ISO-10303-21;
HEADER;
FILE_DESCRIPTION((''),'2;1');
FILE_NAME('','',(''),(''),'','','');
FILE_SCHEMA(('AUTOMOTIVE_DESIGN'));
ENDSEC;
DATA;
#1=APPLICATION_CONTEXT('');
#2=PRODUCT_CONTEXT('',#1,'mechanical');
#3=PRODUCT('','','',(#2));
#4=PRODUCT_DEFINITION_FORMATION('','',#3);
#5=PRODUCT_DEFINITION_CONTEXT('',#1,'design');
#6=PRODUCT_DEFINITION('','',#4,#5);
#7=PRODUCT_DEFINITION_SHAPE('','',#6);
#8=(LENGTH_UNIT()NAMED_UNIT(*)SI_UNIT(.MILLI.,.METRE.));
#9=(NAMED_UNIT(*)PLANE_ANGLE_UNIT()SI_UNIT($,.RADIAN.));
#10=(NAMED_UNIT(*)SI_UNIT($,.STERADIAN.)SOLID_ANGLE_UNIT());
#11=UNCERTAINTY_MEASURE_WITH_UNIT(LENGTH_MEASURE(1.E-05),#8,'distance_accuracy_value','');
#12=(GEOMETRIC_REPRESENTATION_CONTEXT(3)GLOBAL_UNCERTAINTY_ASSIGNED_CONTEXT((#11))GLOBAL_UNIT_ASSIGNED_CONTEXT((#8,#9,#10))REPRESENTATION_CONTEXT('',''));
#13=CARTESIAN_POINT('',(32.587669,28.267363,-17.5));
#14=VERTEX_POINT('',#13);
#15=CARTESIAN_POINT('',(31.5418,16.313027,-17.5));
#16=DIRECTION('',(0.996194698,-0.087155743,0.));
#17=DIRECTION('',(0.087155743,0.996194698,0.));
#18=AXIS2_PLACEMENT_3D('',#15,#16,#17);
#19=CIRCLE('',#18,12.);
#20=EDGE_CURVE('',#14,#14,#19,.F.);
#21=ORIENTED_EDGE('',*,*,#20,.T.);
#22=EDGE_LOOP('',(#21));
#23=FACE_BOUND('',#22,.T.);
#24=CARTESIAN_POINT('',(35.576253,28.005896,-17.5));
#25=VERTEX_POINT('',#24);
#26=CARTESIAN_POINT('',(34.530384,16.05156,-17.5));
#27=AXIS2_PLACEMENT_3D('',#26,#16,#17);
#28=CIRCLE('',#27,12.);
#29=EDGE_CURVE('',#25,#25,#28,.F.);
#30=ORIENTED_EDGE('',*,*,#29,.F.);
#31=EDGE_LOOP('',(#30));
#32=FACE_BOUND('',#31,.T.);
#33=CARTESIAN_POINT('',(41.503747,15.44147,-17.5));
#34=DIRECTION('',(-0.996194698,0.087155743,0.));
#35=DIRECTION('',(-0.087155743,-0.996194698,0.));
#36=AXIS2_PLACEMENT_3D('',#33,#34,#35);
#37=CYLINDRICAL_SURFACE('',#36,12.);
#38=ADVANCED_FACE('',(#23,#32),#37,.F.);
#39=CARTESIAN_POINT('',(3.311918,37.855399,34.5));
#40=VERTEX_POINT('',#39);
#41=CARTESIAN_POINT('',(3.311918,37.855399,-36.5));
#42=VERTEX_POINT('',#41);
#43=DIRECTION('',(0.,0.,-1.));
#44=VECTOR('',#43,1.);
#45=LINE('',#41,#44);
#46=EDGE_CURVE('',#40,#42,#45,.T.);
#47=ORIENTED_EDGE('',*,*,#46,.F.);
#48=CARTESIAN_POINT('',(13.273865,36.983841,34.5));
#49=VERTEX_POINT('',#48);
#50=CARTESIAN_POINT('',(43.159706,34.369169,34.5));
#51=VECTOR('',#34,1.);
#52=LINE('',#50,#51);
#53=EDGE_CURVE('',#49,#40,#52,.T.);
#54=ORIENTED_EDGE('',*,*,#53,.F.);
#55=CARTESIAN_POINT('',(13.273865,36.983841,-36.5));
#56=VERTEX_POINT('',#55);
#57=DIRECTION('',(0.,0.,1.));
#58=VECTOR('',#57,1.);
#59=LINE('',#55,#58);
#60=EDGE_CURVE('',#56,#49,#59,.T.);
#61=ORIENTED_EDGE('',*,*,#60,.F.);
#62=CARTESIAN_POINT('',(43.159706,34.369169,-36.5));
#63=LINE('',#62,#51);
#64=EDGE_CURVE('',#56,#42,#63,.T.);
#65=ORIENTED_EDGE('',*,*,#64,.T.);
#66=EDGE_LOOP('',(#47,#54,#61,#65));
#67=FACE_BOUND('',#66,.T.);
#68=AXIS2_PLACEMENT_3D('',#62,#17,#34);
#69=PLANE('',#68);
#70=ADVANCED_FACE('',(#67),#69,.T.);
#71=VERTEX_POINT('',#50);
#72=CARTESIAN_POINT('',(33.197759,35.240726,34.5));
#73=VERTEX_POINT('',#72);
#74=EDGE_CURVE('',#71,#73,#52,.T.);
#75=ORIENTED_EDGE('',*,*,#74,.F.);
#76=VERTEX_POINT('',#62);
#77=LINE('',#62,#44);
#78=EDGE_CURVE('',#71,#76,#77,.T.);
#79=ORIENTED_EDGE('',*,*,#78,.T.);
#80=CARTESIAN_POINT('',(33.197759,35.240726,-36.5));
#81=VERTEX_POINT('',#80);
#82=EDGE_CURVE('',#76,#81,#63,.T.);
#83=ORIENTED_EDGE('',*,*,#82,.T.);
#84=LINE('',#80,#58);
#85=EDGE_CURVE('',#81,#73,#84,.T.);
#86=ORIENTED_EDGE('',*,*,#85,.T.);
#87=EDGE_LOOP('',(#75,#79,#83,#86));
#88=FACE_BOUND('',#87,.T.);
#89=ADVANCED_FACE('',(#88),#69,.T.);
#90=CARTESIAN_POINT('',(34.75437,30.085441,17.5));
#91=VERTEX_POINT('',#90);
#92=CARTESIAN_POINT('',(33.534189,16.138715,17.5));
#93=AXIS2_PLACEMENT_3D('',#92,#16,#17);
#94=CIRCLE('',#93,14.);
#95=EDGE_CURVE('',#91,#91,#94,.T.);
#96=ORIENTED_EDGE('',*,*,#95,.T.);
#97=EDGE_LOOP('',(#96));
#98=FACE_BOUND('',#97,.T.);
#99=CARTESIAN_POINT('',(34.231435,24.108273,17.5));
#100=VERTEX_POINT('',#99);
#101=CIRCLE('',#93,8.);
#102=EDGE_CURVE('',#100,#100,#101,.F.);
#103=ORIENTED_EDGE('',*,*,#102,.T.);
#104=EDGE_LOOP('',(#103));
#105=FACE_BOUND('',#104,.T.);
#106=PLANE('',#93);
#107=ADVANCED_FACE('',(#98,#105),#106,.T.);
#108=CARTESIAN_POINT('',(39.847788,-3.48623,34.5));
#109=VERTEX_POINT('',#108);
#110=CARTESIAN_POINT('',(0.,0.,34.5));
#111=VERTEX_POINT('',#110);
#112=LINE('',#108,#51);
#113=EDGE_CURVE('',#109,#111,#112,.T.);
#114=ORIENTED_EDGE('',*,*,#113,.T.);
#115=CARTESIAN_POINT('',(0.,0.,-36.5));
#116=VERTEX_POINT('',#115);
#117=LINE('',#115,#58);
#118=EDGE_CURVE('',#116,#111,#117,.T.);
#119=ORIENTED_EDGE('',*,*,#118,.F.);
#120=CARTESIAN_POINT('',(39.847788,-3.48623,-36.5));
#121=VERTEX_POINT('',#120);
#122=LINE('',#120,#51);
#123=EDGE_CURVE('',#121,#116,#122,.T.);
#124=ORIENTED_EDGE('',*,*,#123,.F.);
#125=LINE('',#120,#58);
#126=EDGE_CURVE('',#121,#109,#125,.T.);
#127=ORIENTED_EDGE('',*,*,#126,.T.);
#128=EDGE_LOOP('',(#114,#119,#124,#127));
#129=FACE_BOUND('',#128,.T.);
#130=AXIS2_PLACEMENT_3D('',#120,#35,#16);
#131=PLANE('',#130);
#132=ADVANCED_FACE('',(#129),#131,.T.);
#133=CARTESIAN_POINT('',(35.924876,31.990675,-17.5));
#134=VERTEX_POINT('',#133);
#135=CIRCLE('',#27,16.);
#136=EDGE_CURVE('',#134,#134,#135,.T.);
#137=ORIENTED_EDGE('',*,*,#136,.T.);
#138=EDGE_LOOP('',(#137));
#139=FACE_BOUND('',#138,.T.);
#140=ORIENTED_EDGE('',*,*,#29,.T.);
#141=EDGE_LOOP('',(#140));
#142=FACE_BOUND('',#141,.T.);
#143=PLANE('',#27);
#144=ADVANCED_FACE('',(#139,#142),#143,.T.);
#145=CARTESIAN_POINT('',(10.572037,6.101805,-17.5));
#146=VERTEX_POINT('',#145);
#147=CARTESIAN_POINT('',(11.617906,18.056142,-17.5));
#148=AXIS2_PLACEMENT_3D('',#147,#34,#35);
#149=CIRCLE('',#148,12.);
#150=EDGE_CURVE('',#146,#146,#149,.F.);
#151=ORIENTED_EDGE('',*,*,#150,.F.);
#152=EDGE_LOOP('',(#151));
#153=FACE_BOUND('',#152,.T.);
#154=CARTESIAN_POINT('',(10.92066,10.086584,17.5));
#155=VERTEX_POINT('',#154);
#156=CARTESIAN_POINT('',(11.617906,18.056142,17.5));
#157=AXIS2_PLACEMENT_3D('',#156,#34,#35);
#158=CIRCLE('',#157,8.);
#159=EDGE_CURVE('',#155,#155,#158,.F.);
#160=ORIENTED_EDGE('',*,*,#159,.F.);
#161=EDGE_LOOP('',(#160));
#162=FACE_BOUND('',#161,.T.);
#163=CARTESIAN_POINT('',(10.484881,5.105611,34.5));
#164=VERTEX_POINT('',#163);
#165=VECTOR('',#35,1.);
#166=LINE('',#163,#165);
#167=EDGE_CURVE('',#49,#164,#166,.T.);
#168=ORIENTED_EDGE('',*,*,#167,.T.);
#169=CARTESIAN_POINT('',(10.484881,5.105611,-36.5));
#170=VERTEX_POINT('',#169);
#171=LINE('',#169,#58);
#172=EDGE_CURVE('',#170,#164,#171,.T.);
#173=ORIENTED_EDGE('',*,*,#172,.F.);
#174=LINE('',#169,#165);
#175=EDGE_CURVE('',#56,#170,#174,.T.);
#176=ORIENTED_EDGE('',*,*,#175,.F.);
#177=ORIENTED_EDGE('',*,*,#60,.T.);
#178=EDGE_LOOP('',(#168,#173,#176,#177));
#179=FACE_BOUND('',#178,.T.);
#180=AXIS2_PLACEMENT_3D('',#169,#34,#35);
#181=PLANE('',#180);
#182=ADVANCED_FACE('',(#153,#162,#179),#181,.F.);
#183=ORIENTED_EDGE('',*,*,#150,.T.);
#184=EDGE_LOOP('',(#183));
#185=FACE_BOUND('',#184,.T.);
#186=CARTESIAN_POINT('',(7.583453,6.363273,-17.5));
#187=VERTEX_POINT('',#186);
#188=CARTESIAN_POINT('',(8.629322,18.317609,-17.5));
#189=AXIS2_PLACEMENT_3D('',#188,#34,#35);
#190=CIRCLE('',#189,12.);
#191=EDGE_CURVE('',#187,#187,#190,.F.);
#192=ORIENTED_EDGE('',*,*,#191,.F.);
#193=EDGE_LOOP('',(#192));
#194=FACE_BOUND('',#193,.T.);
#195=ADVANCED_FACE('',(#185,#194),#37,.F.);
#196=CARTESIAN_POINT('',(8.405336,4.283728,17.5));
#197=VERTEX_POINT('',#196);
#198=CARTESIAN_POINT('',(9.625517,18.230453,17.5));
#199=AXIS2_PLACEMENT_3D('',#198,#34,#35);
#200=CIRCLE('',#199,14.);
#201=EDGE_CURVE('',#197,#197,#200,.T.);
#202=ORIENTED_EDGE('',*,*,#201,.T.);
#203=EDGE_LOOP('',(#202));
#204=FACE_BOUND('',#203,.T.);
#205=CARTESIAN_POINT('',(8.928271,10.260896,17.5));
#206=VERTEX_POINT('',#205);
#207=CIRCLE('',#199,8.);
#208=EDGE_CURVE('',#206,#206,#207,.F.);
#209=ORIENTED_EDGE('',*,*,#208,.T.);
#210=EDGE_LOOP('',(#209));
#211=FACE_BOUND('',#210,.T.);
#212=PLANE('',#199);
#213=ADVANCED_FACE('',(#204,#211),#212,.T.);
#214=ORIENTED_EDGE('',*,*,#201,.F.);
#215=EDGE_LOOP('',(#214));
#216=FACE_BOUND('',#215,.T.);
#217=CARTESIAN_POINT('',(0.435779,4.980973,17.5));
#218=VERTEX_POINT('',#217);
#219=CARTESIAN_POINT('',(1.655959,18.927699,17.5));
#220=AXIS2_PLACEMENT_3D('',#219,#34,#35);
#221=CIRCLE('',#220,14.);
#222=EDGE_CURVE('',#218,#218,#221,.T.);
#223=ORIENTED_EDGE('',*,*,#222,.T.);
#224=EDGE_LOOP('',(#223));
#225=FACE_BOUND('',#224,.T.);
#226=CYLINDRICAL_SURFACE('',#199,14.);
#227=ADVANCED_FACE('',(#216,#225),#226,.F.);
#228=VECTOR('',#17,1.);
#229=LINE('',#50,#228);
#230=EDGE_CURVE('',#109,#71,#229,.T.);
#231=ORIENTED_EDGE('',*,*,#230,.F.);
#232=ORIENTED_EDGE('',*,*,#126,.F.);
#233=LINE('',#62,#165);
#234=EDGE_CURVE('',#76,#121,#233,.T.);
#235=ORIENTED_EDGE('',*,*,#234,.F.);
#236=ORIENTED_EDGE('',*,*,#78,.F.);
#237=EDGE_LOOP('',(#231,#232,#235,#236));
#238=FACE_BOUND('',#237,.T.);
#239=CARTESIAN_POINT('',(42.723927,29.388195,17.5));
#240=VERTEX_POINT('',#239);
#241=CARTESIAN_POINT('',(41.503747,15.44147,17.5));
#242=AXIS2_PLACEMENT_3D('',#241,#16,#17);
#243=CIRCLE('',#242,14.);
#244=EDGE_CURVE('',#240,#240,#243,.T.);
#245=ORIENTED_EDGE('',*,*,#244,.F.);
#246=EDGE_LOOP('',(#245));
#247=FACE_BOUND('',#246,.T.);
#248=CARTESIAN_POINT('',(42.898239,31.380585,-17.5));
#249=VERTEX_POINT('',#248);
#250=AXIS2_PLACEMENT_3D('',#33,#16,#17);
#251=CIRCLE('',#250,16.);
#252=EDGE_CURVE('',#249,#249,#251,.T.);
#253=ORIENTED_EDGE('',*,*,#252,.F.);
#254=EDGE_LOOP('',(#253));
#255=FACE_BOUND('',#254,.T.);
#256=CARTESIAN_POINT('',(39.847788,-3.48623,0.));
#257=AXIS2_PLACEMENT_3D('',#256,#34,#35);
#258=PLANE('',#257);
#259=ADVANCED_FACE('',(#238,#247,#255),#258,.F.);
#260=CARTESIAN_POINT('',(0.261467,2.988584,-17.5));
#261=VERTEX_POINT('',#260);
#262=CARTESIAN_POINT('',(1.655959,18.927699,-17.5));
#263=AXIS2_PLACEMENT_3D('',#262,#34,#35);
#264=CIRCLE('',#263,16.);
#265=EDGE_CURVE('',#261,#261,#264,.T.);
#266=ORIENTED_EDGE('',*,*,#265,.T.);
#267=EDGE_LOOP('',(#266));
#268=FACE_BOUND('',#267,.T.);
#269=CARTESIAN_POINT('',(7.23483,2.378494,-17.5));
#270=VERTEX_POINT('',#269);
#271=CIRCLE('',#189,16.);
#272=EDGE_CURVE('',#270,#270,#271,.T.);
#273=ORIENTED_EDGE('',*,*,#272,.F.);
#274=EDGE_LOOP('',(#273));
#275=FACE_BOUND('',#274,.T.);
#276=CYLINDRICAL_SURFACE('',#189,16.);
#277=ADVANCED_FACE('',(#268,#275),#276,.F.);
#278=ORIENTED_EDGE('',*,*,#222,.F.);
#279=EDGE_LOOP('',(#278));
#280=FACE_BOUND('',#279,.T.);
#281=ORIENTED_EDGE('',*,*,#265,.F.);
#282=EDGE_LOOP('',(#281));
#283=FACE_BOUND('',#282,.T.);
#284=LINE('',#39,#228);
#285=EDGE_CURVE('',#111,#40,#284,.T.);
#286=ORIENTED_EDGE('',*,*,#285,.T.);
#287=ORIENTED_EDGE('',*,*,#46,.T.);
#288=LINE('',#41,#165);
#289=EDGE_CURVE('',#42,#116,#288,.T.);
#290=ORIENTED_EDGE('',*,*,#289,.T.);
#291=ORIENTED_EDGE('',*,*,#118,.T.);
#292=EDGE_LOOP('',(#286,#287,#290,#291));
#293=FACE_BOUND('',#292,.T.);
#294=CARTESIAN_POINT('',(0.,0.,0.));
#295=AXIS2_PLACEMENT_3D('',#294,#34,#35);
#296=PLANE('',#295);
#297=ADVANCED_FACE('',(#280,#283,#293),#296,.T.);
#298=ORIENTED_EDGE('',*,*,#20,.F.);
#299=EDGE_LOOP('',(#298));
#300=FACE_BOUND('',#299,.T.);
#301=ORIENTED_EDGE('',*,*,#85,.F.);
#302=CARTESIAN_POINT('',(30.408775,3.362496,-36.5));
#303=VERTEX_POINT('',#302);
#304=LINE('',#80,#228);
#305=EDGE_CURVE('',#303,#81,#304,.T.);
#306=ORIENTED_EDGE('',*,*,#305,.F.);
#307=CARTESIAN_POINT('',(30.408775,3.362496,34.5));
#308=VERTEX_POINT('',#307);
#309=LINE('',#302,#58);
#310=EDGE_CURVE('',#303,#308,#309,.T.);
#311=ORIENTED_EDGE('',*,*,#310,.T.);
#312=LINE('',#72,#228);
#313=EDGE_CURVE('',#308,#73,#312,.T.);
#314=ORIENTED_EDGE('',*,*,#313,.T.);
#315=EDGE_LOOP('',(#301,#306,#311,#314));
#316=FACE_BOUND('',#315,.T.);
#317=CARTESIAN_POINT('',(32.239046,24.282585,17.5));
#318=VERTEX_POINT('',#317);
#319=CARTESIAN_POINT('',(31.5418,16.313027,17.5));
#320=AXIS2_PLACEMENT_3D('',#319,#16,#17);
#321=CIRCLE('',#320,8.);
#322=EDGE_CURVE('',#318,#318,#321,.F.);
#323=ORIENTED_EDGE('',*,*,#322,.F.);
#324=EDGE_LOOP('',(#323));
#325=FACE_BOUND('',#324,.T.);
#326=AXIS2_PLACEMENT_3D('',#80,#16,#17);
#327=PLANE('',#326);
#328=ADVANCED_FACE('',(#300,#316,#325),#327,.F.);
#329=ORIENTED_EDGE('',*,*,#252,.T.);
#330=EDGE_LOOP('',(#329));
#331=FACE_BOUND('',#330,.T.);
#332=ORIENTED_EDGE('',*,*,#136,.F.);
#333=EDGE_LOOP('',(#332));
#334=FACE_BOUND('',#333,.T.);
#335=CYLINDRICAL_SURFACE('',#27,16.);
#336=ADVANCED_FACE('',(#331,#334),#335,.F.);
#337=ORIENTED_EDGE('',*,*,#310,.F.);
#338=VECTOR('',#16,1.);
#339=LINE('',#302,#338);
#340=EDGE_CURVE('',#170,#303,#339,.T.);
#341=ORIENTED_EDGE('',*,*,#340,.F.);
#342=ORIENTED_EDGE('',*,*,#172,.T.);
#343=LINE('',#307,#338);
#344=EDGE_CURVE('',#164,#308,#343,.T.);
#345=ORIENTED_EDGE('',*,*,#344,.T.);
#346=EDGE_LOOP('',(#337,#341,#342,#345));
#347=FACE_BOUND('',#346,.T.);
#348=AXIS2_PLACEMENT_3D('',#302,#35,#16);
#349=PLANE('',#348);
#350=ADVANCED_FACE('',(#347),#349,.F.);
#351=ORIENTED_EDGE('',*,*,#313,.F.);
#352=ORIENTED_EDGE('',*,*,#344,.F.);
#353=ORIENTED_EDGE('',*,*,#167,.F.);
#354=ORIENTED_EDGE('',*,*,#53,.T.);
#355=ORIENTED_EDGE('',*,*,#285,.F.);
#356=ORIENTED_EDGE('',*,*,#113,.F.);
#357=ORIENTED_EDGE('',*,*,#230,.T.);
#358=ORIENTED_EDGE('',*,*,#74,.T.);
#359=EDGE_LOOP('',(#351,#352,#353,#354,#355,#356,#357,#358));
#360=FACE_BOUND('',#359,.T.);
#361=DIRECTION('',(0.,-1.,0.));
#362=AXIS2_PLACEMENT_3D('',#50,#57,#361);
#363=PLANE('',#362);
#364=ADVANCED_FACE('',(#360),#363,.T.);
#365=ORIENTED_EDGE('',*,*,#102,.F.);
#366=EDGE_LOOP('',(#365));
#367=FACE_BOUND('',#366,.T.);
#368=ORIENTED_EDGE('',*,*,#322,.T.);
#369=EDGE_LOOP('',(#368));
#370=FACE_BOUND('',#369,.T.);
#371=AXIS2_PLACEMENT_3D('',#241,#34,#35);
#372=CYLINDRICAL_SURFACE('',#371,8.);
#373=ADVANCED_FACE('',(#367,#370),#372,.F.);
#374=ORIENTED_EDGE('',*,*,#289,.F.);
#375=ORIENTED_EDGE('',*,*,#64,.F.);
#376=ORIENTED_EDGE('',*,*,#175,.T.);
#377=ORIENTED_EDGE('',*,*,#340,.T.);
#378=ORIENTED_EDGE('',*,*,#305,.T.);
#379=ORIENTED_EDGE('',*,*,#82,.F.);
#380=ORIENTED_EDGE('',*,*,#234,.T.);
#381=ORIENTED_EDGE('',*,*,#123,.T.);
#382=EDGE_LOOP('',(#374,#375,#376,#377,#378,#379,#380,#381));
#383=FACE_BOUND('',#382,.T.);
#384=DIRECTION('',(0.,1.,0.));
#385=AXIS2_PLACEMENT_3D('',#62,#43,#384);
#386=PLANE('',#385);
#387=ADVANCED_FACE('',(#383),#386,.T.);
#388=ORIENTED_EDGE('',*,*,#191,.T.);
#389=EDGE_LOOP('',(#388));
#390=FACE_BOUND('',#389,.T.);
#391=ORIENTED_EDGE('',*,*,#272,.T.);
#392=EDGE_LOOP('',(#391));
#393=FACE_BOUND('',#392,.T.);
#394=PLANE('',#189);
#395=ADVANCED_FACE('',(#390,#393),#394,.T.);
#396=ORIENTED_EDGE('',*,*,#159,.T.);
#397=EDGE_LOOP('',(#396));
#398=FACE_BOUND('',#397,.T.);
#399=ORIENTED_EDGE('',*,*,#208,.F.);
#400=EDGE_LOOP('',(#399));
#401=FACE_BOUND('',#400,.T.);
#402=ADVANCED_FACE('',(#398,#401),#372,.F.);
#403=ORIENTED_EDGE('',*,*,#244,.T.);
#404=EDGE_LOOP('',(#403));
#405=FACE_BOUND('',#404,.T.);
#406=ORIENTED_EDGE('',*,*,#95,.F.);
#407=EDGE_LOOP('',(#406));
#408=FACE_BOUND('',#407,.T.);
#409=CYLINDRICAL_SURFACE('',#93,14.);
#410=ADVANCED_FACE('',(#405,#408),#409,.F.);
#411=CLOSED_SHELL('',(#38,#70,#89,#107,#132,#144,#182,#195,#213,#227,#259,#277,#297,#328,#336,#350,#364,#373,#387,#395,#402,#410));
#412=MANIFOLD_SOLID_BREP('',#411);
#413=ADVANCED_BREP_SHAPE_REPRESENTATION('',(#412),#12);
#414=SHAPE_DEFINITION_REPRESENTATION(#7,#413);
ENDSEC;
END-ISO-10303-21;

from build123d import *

# Parameters (mm, degrees)
SKETCH1_W           = 71
SKETCH1_H           = 38
SKETCH1_R           = 12
SKETCH1_R_2         = 8
BOSS_EXTRUDE1_DEPTH = 40
SKETCH7_R           = 16
CUT_EXTRUDE4_DEPTH  = 7
SKETCH8_R           = 14
CUT_EXTRUDE5_DEPTH  = 8
CUT_EXTRUDE6_START  = -7
SKETCH9_R           = 16
CUT_EXTRUDE6_DEPTH  = 7
CUT_EXTRUDE7_START  = -8
SKETCH10_R          = 14
CUT_EXTRUDE7_DEPTH  = 8
CUT_EXTRUDE8_DEPTH  = 92.306031742


with BuildPart() as part:
    # Sketch1 → Boss-Extrude1 (new body)
    with BuildSketch(Plane(origin=(0, 0, 0), x_dir=(0, 0, 1), z_dir=(-0.9961946980917459, 0.08715574274765504, 0))):
        with Locations((-1, 19)):
            Rectangle(SKETCH1_W, SKETCH1_H)
        with Locations((-17.5, 19)):
            Circle(SKETCH1_R, mode=Mode.SUBTRACT)
        with Locations((17.5, 19)):
            Circle(SKETCH1_R_2, mode=Mode.SUBTRACT)
    extrude(amount=-BOSS_EXTRUDE1_DEPTH)

    # Sketch7 → Cut-Extrude4 (cut)
    with BuildSketch(Plane(origin=(0, 0, 0), x_dir=(0, 0, 1), z_dir=(-0.9961946980917459, 0.08715574274765503, 0))):
        with Locations((-17.5, 19)):
            Circle(SKETCH7_R)
    extrude(amount=-CUT_EXTRUDE4_DEPTH, mode=Mode.SUBTRACT)

    # Sketch8 → Cut-Extrude5 (cut)
    with BuildSketch(Plane(origin=(0, 0, 0), x_dir=(0, 0, 1), z_dir=(-0.9961946980917459, 0.08715574274765503, 0))):
        with Locations((17.5, 19)):
            Circle(SKETCH8_R)
    extrude(amount=-CUT_EXTRUDE5_DEPTH, mode=Mode.SUBTRACT)

    # Sketch9 → Cut-Extrude6 (cut)
    with BuildSketch(Plane(origin=(39.847787924, -3.48622971, 0), x_dir=(0, 0, -1), z_dir=(0.9961946980917459, -0.08715574274765503, 0)).offset(CUT_EXTRUDE6_START)):
        with Locations((17.5, 19)):
            Circle(SKETCH9_R)
    extrude(amount=CUT_EXTRUDE6_DEPTH, mode=Mode.SUBTRACT)

    # Sketch10 → Cut-Extrude7 (cut)
    with BuildSketch(Plane(origin=(39.847787924, -3.48622971, 0), x_dir=(0, 0, -1), z_dir=(0.9961946980917459, -0.08715574274765503, 0)).offset(CUT_EXTRUDE7_START)):
        with Locations((-17.5, 19)):
            Circle(SKETCH10_R)
    extrude(amount=CUT_EXTRUDE7_DEPTH, mode=Mode.SUBTRACT)

    # Sketch11 → Cut-Extrude8 (cut, through all)
    with BuildSketch(Plane.XY.offset(34.5)):
        Polygon((13.273865205, 36.9838411), (33.197759167, 35.240726245), (30.408775399, 3.362495906), (10.484881437, 5.105610761), align=None)
    extrude(amount=-CUT_EXTRUDE8_DEPTH, mode=Mode.SUBTRACT)


solid = part.part
